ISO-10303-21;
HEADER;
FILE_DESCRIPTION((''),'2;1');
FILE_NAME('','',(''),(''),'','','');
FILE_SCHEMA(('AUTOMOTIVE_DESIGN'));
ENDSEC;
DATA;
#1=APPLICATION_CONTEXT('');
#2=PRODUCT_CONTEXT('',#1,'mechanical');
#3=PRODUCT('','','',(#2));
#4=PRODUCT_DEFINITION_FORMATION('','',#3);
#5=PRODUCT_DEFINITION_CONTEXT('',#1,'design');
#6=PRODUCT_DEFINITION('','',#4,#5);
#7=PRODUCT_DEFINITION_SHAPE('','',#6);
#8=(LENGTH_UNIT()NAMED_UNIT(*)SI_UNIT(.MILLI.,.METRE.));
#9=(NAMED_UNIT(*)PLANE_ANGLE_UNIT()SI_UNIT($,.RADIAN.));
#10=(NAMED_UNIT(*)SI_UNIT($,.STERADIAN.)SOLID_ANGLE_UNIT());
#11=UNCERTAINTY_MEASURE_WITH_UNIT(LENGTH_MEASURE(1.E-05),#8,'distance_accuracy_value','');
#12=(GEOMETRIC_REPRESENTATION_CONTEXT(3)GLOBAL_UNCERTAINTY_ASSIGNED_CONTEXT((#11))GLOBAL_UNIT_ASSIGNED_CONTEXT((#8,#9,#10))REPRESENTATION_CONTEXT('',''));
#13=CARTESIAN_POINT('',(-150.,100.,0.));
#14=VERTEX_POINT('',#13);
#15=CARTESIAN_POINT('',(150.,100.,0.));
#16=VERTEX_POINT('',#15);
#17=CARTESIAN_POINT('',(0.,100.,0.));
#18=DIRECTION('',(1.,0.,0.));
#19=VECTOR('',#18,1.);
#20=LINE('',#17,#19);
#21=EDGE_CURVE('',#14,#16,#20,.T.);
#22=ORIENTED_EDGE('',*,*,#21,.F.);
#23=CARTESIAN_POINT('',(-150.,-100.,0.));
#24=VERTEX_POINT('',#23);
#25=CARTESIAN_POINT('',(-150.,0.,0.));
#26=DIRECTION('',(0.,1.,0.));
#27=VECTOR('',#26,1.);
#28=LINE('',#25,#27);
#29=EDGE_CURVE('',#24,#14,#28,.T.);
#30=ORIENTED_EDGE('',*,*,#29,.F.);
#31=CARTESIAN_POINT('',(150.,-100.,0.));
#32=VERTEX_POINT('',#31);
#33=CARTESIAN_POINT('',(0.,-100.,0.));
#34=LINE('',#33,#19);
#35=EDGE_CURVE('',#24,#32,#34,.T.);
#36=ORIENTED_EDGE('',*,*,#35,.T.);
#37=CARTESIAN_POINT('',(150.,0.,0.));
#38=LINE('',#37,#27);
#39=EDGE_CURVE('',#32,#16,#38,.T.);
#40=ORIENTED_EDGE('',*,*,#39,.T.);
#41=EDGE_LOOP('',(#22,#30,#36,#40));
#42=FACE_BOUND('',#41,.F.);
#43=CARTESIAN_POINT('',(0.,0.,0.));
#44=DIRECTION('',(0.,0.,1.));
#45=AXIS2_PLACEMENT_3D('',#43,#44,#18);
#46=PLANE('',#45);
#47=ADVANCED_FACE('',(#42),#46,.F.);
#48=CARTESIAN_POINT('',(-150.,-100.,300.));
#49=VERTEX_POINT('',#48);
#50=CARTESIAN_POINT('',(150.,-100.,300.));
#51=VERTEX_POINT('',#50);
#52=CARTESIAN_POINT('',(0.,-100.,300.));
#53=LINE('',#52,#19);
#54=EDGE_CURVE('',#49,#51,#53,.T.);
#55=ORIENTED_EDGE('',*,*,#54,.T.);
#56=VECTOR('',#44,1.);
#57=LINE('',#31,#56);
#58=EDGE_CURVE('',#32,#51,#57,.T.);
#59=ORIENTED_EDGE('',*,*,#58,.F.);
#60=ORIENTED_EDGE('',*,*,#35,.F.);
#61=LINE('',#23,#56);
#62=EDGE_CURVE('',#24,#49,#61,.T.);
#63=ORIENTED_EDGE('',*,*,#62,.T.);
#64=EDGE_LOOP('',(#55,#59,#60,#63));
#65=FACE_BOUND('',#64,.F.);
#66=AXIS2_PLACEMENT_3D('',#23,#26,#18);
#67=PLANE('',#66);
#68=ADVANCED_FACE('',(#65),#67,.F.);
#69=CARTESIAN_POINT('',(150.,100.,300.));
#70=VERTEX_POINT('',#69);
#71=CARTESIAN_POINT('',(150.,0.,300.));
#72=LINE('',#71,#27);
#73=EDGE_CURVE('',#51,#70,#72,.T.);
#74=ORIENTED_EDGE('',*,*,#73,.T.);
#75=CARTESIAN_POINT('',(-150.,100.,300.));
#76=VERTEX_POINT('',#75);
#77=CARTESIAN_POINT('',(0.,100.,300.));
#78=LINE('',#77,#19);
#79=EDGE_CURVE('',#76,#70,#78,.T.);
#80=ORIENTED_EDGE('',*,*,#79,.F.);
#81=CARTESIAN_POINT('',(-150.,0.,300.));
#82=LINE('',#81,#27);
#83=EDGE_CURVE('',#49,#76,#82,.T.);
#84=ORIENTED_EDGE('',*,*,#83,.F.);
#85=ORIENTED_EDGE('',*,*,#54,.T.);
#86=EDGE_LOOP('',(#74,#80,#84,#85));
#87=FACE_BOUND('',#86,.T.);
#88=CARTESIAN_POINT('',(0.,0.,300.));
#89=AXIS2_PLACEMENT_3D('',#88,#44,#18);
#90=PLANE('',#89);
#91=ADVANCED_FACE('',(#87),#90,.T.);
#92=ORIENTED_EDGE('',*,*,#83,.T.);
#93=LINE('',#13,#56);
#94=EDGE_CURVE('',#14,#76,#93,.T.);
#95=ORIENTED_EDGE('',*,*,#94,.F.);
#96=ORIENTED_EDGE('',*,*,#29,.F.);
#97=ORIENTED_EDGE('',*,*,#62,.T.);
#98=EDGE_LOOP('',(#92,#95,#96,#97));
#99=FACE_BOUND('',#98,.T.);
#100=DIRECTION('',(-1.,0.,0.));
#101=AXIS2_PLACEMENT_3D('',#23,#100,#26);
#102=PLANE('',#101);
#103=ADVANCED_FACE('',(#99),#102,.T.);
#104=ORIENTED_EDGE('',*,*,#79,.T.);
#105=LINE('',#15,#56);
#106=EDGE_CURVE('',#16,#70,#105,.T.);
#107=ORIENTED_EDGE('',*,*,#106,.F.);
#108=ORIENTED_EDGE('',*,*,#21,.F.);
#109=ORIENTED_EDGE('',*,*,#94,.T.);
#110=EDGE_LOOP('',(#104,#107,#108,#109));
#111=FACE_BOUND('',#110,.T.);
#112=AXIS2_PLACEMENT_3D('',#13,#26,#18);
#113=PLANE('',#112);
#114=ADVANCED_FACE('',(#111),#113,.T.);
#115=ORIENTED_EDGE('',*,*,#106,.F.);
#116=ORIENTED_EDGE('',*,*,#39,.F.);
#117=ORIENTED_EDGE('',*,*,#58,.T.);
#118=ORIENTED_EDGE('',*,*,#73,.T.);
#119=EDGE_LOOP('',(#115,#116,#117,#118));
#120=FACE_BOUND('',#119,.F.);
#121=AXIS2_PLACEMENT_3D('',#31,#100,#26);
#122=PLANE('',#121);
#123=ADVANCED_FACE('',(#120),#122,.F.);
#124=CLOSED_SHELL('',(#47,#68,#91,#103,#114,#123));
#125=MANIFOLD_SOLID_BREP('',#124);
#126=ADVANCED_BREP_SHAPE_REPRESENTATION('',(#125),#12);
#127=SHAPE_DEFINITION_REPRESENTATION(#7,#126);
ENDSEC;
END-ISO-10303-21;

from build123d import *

# Parameters (mm, degrees)
SKETCH_W  = 300
SKETCH_H  = 200
PAD_DEPTH = 300


with BuildPart() as part:
    # Sketch → Pad (new body)
    with BuildSketch(Plane.XY):
        Rectangle(SKETCH_W, SKETCH_H)
    extrude(amount=PAD_DEPTH)


solid = part.part
